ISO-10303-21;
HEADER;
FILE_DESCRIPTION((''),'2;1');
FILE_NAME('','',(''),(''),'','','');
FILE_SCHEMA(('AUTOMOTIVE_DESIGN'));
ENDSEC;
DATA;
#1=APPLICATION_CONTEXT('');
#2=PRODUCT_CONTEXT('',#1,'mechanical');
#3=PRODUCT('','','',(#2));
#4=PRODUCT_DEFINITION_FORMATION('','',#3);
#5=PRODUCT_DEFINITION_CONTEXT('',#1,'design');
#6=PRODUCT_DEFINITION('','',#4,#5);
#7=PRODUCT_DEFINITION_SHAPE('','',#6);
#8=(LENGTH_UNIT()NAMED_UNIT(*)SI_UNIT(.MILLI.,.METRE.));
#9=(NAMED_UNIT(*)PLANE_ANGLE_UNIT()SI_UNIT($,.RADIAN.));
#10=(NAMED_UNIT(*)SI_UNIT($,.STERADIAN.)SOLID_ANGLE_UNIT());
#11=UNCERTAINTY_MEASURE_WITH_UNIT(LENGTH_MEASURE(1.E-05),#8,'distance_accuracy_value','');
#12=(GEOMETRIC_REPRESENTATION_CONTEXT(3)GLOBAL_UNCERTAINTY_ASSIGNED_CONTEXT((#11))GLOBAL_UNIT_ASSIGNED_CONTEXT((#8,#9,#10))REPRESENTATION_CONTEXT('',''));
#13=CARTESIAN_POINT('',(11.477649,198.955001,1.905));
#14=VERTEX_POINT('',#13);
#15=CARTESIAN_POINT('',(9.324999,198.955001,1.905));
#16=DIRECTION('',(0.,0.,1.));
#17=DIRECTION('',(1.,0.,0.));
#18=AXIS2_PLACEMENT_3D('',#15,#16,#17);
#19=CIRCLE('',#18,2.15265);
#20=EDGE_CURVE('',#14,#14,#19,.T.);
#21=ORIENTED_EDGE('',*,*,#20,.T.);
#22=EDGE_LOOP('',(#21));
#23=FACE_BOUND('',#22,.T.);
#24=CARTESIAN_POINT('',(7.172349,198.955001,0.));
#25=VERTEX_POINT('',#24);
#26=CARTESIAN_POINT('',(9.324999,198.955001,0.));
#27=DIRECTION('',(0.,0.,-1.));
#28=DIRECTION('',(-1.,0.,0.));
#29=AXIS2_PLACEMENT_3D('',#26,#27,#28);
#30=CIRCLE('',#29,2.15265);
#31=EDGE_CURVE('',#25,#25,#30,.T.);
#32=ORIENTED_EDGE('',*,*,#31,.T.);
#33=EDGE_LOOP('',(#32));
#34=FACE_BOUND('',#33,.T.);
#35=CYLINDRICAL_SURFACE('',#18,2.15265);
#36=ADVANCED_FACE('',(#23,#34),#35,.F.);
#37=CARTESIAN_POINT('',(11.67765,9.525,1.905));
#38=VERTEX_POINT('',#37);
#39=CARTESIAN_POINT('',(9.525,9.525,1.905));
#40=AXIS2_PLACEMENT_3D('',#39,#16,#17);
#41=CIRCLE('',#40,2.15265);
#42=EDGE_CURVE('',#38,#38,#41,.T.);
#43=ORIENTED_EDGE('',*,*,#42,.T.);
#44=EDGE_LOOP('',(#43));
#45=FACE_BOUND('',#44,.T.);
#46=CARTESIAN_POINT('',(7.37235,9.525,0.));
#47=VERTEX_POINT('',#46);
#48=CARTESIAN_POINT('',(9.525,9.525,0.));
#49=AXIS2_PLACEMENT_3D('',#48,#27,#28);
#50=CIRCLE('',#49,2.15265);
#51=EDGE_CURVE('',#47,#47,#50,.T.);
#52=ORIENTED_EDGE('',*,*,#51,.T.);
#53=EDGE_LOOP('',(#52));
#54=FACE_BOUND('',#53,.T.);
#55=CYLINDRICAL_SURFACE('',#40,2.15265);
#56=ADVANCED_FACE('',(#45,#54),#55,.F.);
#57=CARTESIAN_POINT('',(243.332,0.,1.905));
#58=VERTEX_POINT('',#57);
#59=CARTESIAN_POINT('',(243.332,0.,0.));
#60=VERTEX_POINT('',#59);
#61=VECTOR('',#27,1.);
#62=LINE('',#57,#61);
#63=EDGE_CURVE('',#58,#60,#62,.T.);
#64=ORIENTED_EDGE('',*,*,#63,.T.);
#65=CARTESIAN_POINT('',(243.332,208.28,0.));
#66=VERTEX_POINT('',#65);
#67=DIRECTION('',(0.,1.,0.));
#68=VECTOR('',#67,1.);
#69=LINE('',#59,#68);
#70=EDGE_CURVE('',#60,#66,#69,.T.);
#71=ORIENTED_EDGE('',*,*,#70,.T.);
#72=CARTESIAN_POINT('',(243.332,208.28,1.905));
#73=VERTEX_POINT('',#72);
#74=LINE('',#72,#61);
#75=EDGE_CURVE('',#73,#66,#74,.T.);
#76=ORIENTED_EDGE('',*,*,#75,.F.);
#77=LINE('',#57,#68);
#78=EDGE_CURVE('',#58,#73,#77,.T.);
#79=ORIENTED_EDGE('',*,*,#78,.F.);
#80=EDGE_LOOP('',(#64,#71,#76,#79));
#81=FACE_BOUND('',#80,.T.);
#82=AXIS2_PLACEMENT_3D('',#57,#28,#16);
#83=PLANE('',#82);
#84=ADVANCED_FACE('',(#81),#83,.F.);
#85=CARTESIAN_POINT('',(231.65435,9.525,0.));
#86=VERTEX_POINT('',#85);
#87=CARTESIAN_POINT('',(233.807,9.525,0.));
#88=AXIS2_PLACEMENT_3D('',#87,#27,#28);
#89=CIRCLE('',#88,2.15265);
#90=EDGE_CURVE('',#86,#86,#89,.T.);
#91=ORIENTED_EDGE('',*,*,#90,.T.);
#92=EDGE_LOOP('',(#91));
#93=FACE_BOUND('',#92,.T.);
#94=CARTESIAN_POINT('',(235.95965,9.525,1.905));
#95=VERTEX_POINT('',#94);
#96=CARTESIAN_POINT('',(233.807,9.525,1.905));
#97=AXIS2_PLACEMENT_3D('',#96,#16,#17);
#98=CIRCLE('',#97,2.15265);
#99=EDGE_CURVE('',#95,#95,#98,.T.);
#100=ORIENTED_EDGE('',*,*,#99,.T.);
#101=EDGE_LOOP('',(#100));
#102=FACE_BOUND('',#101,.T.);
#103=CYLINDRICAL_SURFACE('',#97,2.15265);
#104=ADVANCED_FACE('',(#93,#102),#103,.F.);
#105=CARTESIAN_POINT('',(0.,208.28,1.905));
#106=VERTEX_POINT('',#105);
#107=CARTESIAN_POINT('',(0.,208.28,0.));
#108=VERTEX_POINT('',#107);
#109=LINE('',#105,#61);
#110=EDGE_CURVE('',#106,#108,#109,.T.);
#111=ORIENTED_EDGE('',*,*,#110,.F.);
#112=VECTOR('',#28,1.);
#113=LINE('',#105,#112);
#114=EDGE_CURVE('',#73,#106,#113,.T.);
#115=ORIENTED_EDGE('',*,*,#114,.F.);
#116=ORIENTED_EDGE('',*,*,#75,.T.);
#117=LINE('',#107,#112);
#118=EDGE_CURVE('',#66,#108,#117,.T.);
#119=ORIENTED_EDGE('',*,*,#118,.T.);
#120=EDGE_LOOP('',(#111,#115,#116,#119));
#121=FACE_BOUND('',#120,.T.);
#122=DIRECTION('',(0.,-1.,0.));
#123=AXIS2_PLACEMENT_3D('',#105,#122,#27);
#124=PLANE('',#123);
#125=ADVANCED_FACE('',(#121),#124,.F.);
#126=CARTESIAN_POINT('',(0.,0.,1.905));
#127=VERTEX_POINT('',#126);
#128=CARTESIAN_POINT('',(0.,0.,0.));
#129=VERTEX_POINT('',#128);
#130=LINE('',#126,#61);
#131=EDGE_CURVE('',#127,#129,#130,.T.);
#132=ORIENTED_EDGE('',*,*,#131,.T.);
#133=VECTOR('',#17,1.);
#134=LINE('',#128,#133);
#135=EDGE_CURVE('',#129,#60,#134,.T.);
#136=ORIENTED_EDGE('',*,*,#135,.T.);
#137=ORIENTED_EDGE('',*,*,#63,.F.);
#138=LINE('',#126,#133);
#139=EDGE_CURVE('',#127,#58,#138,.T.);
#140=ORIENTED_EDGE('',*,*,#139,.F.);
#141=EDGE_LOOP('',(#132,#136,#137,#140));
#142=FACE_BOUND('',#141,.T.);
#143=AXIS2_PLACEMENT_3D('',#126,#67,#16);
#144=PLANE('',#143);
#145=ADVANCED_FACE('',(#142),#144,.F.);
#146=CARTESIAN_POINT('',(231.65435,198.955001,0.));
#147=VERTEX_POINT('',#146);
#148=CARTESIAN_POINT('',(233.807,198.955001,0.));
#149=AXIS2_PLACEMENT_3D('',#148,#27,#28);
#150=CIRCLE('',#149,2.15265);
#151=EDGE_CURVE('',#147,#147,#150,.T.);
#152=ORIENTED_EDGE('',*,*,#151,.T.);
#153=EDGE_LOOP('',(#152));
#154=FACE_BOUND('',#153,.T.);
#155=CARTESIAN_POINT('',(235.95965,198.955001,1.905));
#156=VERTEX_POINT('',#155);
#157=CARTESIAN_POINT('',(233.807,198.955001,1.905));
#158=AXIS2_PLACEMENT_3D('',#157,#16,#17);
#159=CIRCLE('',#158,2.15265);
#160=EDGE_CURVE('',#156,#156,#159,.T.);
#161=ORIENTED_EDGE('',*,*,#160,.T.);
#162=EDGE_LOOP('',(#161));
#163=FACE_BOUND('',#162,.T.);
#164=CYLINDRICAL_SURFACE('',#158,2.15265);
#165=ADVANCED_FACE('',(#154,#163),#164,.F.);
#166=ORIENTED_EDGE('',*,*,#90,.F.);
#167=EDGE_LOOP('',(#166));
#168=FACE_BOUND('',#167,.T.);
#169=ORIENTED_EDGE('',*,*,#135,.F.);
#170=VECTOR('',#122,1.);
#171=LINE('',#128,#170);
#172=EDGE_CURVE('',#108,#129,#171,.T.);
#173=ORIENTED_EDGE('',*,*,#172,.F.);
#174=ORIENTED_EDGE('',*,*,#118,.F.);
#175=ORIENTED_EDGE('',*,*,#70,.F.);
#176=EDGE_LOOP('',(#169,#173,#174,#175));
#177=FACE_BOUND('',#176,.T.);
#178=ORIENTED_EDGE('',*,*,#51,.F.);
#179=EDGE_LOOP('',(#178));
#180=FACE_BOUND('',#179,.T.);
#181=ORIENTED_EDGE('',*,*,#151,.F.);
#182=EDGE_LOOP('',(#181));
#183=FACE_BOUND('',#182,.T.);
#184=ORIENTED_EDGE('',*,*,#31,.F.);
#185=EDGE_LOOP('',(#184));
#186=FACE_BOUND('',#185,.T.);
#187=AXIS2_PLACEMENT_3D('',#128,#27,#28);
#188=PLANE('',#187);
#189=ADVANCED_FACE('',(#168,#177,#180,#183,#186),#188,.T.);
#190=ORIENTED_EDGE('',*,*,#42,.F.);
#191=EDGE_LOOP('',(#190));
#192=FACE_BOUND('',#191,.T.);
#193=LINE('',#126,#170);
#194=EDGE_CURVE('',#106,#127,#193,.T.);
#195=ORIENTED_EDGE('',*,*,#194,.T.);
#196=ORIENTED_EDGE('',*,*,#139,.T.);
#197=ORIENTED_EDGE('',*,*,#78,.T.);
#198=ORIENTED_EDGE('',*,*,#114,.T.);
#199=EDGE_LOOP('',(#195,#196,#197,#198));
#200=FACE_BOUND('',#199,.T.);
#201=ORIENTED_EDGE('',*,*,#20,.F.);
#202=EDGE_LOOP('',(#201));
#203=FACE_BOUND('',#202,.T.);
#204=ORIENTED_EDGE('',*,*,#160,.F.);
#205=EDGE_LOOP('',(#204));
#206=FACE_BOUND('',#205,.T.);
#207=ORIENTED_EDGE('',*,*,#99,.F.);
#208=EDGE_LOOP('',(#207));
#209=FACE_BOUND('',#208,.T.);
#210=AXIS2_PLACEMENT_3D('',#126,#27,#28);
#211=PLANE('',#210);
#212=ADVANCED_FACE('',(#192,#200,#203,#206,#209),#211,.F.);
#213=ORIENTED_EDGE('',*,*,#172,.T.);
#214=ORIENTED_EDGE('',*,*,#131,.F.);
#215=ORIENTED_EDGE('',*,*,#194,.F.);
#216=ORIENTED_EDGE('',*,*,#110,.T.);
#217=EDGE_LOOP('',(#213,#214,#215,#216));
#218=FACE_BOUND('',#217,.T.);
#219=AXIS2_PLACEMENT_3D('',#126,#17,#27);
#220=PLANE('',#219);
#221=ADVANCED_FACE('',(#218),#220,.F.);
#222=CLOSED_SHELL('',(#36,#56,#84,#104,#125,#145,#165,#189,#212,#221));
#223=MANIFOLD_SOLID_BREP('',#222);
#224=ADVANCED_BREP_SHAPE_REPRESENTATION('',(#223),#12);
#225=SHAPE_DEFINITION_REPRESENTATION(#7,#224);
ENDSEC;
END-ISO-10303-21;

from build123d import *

# Parameters (mm, degrees)
SKETCH1_W             = 243.332
SKETCH1_H             = 208.28
BOSS_EXTRUDE1_DEPTH   = 1.905
F_6_CLEARANCE_HOLE1_D = 4.3053


with BuildPart() as part:
    # Sketch1 → Boss-Extrude1 (new body)
    with BuildSketch(Plane.XY):
        with Locations((121.666, 104.14)):
            Rectangle(SKETCH1_W, SKETCH1_H)
    extrude(amount=BOSS_EXTRUDE1_DEPTH)

    # #6 Clearance Hole1 (through all)
    with Locations(Plane.XY.offset(1.905)):
        with Locations((9.324999, 198.955001), (233.807, 198.955001), (233.807, 9.525), (9.525, 9.525)):
            Hole(F_6_CLEARANCE_HOLE1_D / 2)


solid = part.part
